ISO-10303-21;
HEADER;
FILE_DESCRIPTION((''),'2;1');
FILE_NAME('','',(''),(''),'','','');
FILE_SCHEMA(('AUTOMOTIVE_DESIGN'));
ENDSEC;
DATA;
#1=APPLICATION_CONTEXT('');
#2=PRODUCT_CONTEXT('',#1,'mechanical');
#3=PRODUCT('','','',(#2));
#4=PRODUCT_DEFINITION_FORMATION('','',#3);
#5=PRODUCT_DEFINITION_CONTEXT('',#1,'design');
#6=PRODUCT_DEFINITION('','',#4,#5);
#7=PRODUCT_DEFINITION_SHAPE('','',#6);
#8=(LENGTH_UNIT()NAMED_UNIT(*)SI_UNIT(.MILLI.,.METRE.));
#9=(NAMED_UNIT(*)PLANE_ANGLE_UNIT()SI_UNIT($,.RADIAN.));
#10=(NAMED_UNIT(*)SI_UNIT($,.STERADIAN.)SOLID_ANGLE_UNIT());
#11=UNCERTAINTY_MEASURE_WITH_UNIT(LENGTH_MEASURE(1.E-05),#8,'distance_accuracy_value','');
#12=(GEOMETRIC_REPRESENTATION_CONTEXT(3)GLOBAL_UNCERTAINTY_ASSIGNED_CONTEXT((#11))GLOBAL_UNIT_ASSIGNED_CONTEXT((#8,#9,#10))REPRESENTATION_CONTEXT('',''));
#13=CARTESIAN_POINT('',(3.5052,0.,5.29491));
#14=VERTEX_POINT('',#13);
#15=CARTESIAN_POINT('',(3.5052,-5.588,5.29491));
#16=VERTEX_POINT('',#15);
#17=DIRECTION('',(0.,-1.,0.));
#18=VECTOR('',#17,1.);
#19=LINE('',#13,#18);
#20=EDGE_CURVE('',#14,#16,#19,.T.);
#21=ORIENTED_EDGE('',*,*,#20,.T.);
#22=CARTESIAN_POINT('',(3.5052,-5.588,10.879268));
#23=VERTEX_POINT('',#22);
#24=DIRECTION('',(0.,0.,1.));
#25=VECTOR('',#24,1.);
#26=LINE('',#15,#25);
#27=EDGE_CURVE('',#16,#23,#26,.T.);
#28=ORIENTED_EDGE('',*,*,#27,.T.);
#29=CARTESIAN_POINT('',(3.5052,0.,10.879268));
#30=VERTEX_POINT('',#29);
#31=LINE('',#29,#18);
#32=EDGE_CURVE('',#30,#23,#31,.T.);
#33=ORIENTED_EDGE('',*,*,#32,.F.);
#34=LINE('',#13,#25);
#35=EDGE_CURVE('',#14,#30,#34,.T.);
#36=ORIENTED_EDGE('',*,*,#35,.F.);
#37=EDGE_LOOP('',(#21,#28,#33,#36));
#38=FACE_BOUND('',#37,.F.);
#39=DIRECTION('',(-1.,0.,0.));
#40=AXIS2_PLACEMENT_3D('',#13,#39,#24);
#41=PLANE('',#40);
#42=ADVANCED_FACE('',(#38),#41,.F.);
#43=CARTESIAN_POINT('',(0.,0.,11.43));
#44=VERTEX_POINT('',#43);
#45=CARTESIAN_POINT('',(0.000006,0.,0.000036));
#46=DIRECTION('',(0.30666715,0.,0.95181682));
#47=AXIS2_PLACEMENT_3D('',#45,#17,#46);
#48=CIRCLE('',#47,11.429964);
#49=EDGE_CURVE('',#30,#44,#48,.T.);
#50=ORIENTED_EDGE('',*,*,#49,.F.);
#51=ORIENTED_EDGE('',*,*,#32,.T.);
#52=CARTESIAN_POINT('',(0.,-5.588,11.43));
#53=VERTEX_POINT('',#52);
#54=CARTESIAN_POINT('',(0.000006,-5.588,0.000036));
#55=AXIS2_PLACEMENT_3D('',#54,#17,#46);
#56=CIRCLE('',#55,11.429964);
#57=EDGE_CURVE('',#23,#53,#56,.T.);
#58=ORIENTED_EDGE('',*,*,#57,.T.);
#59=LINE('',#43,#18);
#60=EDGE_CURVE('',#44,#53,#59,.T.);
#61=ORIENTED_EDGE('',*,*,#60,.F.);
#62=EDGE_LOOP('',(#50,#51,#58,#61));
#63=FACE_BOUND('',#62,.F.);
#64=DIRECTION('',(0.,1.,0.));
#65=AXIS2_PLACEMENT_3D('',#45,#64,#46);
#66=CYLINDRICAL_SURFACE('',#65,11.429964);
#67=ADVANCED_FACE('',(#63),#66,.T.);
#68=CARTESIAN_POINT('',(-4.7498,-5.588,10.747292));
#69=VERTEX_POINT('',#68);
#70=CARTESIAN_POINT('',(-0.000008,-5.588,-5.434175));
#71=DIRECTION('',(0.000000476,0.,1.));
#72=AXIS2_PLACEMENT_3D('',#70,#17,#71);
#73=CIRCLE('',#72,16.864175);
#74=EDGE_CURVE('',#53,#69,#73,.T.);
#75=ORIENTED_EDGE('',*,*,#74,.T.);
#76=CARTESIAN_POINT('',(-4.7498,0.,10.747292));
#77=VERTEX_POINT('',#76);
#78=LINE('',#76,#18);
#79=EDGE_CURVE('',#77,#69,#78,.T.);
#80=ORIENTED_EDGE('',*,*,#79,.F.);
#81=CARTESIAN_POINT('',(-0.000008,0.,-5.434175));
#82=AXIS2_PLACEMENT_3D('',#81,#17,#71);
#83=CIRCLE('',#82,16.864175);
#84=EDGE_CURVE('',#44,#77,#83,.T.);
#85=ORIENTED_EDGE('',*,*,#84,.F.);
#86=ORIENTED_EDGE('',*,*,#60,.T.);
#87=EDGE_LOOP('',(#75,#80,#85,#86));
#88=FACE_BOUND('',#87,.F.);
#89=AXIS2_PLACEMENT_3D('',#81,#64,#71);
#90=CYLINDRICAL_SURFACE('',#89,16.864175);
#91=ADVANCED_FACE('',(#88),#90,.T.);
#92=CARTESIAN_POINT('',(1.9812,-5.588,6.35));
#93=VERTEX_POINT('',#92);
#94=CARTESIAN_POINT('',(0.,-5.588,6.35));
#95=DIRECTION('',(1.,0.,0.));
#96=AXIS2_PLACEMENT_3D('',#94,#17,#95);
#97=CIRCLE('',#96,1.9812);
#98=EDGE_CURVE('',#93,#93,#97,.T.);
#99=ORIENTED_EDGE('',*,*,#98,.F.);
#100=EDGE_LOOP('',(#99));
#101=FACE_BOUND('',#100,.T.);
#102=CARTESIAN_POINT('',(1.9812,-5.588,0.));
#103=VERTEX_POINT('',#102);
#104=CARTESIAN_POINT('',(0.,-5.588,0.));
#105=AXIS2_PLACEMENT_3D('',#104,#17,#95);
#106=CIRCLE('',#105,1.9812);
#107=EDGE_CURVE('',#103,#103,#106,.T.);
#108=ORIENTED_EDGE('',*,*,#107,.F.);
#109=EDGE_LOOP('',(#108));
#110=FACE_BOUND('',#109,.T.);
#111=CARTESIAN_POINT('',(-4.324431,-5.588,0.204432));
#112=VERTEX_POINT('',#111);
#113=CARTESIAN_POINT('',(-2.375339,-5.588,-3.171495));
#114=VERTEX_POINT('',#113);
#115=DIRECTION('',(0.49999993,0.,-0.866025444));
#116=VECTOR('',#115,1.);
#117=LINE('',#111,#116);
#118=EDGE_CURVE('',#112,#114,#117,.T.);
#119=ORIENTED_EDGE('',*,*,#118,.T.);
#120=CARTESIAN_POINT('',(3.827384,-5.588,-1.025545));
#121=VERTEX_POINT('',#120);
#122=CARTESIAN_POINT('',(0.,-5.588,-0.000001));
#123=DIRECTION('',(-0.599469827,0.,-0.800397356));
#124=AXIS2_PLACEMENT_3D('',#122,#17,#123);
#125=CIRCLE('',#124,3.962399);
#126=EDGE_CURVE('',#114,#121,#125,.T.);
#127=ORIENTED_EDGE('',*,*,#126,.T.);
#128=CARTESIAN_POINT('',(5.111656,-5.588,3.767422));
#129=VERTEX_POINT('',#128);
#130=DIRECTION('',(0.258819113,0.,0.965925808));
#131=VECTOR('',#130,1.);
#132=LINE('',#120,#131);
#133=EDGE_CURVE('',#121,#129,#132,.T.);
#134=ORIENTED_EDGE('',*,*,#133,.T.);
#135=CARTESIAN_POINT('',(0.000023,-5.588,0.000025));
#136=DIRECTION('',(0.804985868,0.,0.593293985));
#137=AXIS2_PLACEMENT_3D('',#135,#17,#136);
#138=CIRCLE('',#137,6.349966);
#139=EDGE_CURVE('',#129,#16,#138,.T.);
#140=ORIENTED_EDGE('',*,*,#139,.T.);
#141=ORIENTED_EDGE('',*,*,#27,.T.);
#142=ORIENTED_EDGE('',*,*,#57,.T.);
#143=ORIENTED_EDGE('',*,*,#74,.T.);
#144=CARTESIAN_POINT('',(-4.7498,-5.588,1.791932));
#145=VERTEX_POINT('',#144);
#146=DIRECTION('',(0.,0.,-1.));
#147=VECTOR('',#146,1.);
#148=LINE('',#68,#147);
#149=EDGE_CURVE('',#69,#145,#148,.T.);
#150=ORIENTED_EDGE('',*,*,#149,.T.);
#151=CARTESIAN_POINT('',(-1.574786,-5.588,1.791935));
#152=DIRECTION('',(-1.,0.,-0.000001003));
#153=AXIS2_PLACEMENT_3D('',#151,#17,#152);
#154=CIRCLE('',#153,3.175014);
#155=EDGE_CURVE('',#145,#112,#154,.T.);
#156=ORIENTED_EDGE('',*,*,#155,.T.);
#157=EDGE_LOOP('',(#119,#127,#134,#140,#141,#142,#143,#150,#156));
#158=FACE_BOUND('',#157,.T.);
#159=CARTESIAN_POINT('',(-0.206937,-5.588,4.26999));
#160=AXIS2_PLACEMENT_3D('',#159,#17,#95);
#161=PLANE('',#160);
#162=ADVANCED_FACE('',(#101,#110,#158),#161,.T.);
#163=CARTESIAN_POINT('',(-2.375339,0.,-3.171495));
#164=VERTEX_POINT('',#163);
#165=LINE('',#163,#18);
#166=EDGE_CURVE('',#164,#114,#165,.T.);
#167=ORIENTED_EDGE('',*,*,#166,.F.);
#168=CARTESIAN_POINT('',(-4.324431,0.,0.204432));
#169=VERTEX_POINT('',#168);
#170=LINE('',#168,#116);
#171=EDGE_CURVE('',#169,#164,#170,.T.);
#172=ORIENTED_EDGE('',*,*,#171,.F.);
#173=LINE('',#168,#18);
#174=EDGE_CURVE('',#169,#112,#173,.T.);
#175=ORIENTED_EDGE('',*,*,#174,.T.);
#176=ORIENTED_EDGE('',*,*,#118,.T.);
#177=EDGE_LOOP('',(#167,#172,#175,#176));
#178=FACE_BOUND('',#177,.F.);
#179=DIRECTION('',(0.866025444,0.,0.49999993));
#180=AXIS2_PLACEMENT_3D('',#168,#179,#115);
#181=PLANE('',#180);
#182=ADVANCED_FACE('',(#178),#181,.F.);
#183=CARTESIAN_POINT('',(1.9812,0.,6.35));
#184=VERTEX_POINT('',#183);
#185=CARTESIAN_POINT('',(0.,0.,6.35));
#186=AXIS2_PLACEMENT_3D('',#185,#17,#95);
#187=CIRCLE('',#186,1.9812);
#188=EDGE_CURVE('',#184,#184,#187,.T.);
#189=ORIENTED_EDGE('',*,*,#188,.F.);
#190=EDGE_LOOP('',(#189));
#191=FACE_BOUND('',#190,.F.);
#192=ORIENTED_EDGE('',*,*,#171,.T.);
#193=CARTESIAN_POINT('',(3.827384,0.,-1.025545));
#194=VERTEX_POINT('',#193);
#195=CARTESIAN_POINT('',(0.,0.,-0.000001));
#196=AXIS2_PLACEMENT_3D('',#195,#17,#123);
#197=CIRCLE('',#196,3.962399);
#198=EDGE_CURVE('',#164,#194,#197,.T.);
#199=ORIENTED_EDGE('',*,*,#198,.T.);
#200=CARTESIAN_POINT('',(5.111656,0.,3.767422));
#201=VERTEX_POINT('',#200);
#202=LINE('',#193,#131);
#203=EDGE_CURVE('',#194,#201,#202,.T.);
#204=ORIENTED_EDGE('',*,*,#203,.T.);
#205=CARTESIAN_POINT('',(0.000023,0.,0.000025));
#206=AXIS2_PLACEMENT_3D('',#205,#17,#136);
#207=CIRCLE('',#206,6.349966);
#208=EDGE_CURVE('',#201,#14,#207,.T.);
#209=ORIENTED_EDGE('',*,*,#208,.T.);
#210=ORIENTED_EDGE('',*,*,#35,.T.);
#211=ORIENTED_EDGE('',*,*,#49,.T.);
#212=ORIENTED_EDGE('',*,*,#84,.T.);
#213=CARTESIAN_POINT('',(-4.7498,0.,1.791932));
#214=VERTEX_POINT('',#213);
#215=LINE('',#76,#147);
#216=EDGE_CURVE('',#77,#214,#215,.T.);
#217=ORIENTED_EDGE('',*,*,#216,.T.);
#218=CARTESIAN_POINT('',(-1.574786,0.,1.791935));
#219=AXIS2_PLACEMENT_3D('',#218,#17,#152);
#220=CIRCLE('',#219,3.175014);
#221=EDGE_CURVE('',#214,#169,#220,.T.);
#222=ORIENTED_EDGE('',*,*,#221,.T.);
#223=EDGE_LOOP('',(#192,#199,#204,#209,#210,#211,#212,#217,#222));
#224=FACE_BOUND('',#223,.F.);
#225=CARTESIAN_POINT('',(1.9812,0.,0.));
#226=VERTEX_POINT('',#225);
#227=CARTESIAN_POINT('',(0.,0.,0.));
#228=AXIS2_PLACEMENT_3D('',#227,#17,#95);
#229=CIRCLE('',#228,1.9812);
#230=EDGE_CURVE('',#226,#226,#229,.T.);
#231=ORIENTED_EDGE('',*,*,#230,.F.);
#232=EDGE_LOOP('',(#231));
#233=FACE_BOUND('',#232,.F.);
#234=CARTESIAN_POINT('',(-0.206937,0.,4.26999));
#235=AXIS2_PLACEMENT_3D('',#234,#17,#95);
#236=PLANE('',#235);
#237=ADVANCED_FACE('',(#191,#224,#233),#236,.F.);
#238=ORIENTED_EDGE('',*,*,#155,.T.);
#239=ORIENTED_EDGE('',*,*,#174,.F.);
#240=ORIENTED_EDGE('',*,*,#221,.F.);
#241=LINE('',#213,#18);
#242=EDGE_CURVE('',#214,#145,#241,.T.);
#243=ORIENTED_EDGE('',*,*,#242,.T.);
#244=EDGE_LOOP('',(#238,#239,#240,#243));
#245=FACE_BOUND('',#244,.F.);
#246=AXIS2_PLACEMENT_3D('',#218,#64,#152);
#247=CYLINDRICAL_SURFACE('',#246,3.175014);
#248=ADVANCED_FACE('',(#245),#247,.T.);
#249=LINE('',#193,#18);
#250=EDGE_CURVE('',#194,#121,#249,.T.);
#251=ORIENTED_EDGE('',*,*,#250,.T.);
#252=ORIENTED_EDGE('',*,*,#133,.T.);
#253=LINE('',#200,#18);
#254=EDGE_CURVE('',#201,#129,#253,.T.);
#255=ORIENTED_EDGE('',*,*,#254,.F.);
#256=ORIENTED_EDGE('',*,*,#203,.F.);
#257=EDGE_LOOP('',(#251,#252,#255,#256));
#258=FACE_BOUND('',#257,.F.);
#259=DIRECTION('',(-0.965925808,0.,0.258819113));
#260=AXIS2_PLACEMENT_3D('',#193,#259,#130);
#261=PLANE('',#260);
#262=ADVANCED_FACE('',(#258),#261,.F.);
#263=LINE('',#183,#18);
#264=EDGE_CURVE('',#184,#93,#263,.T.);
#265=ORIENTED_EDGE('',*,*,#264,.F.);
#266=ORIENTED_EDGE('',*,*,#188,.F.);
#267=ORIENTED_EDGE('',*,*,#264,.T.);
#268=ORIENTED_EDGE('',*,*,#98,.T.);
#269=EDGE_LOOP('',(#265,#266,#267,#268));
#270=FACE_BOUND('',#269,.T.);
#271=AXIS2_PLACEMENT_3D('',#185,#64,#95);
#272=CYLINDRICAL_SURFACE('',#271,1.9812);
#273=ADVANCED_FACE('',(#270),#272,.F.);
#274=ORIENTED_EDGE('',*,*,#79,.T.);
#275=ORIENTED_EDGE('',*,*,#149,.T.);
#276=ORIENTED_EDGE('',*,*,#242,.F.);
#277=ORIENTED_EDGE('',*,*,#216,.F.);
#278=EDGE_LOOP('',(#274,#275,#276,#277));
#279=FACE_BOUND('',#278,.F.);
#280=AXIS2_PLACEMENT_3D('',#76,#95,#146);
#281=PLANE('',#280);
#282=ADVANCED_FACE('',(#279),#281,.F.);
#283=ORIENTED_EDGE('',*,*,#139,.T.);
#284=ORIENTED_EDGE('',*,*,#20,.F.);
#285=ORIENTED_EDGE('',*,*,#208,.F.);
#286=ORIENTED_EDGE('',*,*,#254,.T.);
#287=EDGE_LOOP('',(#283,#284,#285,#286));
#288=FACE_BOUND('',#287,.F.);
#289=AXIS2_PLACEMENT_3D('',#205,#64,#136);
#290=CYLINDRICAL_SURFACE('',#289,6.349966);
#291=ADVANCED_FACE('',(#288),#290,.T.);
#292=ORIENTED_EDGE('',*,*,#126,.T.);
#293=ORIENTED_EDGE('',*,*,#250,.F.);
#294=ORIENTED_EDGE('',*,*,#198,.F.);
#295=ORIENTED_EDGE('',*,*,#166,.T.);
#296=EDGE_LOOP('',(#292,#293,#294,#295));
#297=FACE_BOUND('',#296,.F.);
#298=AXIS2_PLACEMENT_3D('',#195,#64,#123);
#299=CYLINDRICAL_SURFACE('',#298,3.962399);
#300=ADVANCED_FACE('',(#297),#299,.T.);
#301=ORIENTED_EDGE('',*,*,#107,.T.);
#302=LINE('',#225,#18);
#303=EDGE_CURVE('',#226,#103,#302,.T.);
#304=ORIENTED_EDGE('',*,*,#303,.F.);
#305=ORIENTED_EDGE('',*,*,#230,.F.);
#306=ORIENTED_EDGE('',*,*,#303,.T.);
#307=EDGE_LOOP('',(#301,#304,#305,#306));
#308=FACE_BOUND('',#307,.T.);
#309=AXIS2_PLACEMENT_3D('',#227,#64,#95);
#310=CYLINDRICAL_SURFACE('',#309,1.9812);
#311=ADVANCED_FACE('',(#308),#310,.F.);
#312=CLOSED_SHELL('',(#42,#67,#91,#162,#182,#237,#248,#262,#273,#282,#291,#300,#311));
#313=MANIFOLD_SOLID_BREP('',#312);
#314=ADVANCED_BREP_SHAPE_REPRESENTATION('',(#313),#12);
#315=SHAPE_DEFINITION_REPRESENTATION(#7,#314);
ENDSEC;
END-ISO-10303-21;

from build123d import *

# Parameters (mm, degrees)
F0_R     = 1.9812
F1_DEPTH = 5.588


with BuildPart() as f1:
    # F0 (on Front) → F1 (new body)
    with BuildSketch(Plane.XZ):
        with BuildLine():
            Line((-4.324431, 0.204432), (-2.375339, -3.171495))
            ThreePointArc((-2.375339, -3.171495), (1.295525, -3.744627), (3.827384, -1.025545))
            Line((3.827384, -1.025545), (5.111656, 3.767422))
            ThreePointArc((5.111656, 3.767422), (4.375598, 4.601809), (3.5052, 5.29491))
            Line((3.5052, 5.29491), (3.5052, 6.35))
            Line((3.5052, 6.35), (3.5052, 10.747292))
            Line((3.5052, 10.747292), (3.5052, 10.879268))
            ThreePointArc((3.5052, 10.879268), (1.774101, 11.291478), (0, 11.43))
            ThreePointArc((0, 11.43), (-2.399307, 11.258451), (-4.7498, 10.747292))
            Line((-4.7498, 10.747292), (-4.7498, 4.51846))
            Line((-4.7498, 4.51846), (-4.7498, 1.791932))
            ThreePointArc((-4.7498, 1.791932), (-4.641614, 0.970181), (-4.324431, 0.204432))
        make_face()
        Circle(F0_R, mode=Mode.SUBTRACT)
        with Locations((0, 6.35)):
            Circle(F0_R, mode=Mode.SUBTRACT)
    extrude(amount=F1_DEPTH)


solid = f1.part
